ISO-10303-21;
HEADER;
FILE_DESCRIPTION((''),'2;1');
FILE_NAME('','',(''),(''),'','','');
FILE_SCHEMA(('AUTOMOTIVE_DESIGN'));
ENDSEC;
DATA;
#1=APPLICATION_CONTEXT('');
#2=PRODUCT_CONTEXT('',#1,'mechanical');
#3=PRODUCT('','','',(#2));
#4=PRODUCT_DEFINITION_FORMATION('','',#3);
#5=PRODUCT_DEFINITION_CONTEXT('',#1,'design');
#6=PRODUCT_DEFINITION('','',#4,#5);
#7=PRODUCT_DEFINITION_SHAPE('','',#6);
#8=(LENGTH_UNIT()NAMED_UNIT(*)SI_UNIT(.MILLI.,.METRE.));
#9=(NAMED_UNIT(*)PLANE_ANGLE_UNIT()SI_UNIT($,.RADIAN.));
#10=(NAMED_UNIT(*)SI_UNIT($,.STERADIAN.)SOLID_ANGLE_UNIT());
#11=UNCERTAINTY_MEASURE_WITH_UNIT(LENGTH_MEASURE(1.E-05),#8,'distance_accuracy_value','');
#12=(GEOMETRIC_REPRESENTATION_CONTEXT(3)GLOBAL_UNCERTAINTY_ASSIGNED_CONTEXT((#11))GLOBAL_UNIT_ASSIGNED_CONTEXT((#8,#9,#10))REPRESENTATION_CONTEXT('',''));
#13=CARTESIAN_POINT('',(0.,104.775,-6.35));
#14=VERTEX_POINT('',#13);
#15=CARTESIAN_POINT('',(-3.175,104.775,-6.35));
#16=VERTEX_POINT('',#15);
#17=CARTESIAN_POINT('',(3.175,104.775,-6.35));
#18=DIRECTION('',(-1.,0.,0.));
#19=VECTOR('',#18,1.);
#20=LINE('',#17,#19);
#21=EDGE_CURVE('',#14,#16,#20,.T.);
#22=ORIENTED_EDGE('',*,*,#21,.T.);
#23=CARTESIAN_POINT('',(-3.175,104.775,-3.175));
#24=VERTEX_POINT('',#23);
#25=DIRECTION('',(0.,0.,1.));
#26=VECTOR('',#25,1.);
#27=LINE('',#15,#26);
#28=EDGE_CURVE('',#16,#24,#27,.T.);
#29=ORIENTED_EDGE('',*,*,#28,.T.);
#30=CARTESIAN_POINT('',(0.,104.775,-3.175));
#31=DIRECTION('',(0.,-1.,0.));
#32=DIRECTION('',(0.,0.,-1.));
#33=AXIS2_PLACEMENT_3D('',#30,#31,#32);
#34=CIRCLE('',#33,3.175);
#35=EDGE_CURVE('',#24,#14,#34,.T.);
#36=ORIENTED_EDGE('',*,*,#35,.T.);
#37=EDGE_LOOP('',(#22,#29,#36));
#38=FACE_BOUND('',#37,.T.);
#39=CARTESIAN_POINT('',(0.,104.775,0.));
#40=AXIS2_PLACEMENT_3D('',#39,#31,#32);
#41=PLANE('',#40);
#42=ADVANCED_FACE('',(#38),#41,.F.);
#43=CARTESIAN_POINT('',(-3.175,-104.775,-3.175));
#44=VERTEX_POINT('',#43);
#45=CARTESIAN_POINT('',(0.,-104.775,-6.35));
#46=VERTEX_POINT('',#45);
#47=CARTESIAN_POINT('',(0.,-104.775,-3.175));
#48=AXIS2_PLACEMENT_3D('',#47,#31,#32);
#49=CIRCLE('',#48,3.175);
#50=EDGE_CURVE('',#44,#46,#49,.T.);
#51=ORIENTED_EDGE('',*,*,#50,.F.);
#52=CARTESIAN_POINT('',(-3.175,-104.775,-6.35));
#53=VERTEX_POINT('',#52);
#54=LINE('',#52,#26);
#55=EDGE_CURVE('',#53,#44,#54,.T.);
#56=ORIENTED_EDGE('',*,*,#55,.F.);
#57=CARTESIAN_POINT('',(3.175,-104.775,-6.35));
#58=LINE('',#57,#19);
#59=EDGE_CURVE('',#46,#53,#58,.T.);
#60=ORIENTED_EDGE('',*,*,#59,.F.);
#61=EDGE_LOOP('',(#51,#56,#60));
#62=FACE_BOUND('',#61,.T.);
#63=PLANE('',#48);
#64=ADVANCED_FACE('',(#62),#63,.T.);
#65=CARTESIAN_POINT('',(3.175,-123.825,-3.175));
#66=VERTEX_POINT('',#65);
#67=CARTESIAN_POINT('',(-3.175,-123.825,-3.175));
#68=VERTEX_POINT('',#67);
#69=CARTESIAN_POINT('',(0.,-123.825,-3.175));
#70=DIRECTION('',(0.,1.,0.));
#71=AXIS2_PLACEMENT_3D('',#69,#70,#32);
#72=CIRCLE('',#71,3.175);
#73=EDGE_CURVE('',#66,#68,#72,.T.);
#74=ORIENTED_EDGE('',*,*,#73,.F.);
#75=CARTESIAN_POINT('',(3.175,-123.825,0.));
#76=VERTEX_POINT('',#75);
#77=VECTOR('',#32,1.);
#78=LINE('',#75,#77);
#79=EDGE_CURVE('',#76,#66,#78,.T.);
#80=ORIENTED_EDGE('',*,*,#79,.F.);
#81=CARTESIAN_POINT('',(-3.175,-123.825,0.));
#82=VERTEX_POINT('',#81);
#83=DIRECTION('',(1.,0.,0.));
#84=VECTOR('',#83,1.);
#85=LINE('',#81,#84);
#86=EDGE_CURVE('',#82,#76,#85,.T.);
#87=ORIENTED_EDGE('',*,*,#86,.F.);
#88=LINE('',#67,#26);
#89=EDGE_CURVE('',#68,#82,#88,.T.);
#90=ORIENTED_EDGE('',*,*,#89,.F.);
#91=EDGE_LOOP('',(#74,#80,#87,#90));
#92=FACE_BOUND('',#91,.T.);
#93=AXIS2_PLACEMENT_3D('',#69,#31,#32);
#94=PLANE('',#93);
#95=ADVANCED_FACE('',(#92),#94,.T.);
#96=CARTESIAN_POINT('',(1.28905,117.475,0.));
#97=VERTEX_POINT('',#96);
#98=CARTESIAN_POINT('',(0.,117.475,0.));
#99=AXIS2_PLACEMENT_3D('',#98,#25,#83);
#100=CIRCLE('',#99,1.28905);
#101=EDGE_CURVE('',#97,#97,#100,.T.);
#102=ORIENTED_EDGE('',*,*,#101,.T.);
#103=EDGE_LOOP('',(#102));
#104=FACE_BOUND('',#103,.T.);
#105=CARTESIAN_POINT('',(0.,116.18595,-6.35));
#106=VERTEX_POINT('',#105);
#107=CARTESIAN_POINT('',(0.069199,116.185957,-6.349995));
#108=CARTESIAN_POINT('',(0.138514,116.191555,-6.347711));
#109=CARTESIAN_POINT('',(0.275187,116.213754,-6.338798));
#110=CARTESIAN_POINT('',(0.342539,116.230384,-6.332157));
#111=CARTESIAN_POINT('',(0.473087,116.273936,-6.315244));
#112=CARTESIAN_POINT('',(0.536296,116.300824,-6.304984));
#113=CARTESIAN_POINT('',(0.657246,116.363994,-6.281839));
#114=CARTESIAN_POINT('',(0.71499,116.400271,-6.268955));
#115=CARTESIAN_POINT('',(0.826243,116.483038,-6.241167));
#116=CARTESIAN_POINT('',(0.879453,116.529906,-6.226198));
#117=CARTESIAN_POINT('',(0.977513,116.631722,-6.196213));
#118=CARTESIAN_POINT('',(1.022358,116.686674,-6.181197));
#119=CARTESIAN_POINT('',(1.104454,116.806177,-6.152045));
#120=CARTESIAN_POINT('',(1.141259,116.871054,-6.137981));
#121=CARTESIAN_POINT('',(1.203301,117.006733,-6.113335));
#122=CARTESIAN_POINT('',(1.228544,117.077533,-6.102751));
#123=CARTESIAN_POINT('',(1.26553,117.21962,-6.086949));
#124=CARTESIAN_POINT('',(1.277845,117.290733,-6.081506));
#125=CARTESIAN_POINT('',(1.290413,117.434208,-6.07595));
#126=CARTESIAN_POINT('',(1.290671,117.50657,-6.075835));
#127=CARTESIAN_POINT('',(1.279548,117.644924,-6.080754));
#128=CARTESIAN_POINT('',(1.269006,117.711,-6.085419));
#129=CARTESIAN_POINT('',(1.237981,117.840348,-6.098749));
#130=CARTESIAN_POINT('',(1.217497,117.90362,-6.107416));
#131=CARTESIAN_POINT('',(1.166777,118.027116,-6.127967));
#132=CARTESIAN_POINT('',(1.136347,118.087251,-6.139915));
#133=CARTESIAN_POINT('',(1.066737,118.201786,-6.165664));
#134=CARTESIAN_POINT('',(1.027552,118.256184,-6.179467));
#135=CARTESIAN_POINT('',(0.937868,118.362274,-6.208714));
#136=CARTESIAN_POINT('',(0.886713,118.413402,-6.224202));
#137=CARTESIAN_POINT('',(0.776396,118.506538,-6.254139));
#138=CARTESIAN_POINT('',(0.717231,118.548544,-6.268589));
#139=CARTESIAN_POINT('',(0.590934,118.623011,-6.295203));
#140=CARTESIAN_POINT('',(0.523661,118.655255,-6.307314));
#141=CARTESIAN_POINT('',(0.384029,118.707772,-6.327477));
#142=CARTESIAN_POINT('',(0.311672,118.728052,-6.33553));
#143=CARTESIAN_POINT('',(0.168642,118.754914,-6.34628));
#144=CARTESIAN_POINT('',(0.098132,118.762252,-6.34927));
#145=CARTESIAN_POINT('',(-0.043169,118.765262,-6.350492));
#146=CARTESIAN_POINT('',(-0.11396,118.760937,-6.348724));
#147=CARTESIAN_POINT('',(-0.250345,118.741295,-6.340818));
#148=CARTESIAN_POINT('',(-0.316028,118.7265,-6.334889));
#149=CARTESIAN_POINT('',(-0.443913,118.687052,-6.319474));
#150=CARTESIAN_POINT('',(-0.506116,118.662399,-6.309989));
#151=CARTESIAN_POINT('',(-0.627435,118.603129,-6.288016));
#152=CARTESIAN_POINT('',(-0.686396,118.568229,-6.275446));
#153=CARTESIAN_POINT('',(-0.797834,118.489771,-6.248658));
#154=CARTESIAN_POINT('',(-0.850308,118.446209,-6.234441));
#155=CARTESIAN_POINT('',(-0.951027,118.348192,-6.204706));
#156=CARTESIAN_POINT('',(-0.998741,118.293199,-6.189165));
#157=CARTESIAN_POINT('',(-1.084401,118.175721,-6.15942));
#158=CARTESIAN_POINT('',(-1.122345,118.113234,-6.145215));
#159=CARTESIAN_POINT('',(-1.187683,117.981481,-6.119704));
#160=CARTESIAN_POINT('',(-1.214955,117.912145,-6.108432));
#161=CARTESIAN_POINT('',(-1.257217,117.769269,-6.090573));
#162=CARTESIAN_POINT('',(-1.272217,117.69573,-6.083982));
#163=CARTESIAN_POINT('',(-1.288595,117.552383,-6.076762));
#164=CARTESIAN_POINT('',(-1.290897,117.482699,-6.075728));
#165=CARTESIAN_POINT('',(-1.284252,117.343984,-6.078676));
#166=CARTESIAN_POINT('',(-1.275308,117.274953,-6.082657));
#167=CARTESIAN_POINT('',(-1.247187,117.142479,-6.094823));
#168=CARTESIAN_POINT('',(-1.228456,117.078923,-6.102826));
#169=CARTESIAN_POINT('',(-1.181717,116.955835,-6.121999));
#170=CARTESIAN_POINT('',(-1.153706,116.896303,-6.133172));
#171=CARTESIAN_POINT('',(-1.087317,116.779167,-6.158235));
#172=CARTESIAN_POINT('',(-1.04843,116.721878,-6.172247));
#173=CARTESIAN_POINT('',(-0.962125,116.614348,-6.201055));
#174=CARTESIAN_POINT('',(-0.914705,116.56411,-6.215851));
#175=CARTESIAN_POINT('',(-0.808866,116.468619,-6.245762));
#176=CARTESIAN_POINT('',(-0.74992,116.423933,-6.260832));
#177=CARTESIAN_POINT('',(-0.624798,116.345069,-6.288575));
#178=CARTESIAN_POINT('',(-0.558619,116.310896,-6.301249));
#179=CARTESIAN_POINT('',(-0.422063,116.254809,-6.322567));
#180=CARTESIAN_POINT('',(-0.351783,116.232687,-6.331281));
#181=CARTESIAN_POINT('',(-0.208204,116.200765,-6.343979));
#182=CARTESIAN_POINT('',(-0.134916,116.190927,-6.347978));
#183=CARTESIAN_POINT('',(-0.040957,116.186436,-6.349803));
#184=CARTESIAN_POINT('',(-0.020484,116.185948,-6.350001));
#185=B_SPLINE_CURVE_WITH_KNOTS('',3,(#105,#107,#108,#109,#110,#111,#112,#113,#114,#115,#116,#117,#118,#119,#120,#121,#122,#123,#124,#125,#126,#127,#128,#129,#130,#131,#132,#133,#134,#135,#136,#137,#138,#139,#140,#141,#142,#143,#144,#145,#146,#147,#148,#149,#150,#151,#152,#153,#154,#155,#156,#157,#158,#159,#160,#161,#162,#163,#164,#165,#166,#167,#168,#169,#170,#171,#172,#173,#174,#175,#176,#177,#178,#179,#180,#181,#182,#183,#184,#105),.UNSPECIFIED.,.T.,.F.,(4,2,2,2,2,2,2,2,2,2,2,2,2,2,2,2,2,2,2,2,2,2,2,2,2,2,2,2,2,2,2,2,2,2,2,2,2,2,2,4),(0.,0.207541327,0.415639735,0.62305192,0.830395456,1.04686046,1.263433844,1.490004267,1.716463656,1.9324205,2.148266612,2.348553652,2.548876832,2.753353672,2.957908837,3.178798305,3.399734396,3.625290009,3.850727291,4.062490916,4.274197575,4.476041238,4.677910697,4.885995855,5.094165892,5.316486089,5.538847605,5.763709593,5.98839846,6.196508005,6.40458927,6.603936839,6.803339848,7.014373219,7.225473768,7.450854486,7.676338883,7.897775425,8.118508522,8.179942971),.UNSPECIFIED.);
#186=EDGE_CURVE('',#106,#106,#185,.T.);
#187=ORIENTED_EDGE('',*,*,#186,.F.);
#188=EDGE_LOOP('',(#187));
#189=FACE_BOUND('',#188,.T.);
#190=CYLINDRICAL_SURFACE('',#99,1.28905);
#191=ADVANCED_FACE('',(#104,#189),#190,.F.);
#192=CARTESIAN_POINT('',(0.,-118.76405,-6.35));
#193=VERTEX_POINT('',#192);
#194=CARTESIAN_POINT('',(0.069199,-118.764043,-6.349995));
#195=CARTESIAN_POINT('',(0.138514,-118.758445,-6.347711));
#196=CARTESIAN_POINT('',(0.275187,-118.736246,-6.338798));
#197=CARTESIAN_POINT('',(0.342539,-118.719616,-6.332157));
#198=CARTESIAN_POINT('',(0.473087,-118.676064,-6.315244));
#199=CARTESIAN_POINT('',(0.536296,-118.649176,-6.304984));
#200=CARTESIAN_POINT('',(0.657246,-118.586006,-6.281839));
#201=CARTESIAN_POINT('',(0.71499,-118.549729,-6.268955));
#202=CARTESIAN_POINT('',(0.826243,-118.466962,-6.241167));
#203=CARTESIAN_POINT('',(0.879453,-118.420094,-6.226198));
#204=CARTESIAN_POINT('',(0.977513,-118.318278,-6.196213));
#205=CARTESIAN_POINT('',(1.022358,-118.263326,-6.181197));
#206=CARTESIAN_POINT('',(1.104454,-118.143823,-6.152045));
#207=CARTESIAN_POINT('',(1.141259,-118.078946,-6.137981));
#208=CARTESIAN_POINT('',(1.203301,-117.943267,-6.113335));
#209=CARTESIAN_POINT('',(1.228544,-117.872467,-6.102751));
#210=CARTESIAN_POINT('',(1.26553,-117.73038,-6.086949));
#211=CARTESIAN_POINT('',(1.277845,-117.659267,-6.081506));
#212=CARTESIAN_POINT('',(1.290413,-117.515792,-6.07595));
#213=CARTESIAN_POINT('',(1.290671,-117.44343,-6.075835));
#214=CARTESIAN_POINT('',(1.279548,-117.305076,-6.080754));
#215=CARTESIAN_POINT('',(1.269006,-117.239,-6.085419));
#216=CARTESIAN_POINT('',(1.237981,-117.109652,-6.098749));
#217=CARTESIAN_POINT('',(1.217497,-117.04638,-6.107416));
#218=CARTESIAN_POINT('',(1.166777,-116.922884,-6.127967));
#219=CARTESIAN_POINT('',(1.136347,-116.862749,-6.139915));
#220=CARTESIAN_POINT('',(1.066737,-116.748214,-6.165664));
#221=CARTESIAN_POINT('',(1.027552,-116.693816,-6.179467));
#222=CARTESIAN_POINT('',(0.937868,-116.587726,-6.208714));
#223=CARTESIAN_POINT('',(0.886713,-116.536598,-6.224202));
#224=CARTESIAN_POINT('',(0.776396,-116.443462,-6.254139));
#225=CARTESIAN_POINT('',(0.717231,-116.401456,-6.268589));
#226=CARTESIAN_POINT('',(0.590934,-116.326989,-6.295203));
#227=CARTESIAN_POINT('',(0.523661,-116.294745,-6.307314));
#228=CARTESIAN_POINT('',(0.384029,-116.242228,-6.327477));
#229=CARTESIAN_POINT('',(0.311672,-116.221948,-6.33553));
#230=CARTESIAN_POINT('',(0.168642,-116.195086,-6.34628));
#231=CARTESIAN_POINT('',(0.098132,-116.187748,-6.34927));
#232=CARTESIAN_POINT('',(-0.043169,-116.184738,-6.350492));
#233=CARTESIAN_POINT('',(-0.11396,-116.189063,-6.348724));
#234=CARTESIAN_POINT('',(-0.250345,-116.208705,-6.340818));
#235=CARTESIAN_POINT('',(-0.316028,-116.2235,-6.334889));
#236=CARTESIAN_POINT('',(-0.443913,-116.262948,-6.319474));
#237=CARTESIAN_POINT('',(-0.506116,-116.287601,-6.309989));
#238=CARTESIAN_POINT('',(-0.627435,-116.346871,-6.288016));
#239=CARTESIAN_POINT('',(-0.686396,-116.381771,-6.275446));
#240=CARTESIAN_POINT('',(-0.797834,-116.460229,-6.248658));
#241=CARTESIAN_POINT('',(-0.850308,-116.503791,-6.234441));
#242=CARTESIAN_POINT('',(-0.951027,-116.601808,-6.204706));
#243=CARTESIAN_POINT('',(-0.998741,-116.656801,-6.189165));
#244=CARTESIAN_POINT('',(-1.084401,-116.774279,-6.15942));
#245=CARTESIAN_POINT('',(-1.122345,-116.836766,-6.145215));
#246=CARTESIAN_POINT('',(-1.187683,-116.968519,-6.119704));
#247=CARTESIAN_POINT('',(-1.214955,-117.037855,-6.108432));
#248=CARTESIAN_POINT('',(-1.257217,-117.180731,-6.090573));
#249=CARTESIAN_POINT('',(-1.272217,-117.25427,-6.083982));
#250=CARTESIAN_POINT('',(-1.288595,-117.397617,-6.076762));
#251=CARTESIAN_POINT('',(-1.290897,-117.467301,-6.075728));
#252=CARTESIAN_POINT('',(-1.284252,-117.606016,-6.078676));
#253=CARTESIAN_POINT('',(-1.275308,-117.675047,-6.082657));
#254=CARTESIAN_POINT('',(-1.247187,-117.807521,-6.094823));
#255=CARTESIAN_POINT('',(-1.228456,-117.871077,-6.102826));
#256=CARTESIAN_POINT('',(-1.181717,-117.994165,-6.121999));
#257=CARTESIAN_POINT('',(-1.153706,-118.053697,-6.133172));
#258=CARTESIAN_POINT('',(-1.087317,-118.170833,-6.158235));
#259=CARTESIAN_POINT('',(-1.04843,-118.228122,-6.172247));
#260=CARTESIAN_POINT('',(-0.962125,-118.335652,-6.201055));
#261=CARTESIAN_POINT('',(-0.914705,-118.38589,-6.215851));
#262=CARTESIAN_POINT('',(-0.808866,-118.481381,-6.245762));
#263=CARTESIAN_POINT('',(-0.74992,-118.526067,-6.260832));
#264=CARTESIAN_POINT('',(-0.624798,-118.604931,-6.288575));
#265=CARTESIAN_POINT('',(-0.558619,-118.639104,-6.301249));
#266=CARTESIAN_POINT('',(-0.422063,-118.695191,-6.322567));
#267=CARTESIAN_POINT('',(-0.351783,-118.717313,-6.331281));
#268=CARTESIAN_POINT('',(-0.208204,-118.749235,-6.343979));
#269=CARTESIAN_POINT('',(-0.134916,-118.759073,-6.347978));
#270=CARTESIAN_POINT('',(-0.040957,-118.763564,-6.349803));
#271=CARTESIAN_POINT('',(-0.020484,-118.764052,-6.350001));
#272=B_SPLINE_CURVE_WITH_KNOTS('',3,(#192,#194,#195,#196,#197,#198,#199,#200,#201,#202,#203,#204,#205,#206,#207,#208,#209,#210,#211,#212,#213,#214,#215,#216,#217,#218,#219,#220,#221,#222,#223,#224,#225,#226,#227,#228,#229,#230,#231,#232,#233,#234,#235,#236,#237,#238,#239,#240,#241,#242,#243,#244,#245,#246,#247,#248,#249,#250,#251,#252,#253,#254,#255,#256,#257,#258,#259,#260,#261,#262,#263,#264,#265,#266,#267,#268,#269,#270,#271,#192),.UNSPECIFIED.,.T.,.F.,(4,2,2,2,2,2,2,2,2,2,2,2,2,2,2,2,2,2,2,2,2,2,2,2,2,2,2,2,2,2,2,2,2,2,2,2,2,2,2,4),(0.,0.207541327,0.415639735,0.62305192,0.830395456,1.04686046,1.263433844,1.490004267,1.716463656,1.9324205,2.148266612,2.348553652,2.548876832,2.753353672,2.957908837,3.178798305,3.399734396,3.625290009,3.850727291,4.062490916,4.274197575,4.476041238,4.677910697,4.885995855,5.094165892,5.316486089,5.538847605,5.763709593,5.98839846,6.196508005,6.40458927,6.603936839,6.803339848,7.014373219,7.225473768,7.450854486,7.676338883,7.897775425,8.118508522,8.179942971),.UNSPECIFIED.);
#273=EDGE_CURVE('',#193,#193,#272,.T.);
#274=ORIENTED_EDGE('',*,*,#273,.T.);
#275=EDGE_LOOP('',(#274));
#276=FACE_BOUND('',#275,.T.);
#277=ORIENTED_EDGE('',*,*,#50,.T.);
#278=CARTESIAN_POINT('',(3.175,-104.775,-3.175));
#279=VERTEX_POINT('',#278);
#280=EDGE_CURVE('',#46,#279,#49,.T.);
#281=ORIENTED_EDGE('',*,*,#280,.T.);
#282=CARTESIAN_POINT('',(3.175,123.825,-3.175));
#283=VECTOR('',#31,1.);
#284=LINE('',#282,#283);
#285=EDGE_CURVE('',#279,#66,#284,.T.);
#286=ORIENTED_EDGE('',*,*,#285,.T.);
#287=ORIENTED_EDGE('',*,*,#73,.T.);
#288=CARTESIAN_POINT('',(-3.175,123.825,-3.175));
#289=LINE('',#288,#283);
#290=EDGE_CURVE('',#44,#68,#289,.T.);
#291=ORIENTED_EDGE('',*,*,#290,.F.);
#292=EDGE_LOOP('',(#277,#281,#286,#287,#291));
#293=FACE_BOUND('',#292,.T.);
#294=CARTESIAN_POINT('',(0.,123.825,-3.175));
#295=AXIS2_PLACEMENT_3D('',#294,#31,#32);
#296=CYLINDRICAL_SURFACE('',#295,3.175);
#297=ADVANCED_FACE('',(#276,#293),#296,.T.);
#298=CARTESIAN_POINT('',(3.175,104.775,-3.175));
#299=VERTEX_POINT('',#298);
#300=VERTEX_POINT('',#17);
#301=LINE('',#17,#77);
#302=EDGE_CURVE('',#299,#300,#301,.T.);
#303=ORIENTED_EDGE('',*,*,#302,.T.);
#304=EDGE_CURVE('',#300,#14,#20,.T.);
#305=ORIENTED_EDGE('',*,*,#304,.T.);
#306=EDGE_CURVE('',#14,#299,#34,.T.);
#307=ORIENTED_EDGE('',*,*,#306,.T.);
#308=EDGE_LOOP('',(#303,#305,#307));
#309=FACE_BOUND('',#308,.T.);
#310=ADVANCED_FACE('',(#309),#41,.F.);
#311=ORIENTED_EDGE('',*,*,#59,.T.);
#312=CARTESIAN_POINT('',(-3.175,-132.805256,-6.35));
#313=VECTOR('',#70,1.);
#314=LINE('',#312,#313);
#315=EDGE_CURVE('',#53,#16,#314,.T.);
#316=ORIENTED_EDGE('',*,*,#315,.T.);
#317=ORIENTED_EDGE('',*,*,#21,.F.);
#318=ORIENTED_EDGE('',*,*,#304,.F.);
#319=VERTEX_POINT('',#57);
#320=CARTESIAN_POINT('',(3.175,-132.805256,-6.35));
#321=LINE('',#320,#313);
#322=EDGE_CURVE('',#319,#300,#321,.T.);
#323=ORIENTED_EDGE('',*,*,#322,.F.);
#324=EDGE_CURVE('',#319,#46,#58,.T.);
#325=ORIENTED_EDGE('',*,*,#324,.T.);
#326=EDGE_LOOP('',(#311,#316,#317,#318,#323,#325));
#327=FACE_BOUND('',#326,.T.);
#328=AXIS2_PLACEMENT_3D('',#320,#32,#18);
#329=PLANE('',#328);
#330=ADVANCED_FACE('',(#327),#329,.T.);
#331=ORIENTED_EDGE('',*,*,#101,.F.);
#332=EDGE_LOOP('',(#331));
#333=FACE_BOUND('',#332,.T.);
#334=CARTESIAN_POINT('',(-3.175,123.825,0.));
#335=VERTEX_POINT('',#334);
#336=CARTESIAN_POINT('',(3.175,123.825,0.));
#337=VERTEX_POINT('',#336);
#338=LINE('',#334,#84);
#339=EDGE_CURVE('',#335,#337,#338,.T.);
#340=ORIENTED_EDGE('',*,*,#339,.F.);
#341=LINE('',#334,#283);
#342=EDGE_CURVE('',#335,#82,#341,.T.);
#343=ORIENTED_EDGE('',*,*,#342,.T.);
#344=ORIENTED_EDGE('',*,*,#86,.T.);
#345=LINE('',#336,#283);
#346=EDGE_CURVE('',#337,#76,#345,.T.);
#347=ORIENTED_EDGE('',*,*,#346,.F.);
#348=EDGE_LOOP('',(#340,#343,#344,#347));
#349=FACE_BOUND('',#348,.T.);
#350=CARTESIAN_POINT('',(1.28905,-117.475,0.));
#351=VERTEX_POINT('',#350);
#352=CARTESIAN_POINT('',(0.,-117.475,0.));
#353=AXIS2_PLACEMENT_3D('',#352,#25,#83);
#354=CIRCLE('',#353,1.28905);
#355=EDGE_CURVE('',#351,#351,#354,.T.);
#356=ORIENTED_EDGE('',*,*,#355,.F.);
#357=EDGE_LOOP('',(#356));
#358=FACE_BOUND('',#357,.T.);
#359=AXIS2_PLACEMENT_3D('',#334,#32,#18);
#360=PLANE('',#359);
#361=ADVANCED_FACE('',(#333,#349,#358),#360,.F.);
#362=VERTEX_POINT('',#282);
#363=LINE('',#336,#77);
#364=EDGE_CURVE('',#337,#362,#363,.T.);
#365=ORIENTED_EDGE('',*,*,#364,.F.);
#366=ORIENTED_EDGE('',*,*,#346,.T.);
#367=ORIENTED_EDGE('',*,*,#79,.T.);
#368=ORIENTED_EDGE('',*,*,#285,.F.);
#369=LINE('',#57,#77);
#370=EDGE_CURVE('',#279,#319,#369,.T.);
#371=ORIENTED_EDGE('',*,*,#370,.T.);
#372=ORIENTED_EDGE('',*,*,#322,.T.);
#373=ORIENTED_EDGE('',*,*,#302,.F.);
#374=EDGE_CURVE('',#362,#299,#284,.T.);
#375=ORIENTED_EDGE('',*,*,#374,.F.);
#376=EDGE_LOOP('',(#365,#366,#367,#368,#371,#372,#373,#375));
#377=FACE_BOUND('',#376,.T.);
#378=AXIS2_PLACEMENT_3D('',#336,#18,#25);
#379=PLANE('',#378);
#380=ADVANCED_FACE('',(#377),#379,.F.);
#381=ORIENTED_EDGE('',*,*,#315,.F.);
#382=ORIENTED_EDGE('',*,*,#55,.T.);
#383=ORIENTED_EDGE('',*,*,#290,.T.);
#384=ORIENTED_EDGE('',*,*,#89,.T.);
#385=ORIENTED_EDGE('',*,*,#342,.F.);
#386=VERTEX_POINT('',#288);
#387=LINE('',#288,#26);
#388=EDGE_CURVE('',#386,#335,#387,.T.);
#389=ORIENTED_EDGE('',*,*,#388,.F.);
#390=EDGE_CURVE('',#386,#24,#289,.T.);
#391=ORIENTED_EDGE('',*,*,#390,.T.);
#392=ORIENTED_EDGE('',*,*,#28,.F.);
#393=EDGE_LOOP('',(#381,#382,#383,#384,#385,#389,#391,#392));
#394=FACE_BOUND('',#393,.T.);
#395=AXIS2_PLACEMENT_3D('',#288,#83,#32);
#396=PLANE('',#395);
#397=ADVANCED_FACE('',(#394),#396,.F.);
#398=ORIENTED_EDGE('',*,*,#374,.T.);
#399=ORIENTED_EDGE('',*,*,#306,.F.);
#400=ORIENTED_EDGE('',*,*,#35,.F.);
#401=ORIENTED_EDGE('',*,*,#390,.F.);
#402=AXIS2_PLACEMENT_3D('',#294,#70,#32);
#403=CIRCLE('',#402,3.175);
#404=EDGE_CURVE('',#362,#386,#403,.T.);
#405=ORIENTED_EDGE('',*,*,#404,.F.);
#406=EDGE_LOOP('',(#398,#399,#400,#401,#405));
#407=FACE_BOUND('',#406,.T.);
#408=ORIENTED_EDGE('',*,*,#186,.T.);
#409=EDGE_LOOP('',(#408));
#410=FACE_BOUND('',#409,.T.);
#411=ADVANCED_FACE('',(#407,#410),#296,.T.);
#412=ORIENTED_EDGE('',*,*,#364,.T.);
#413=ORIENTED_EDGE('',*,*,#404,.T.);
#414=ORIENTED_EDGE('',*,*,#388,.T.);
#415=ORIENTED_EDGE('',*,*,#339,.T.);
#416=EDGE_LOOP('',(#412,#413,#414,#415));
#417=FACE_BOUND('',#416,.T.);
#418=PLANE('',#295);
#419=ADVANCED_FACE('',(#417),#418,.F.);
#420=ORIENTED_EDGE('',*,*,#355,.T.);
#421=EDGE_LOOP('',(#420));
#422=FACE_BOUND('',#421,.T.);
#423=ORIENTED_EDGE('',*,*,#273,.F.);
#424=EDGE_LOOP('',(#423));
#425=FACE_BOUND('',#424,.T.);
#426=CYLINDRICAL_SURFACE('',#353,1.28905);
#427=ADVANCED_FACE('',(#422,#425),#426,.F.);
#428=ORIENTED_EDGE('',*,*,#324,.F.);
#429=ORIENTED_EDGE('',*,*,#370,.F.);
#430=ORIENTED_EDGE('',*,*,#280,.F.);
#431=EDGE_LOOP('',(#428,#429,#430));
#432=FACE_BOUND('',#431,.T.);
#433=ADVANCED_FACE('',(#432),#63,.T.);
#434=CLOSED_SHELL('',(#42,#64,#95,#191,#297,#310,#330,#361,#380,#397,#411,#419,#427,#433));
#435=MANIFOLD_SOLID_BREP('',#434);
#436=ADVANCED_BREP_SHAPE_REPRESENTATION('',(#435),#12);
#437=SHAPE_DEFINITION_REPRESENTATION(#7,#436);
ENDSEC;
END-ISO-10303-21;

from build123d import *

# Parameters (mm, degrees)
BOSS_EXTRUDE1_DEPTH   = 123.825
F_5_40_TAPPED_HOLE1_D = 2.5781
BOSS_EXTRUDE2_START   = -19.05
SKETCH4_W             = 6.35
SKETCH4_H             = 6.35
BOSS_EXTRUDE2_DEPTH   = 209.55


with BuildPart() as part:
    # Sketch1 → Boss-Extrude1 (new, symmetric)
    with BuildSketch(Plane(origin=(0, 0, 0), x_dir=(1, 0, 0), z_dir=(0, 1, 0))):
        with BuildLine():
            Line((-3.175, 3.175), (-3.175, 0))
            Line((-3.175, 0), (3.175, 0))
            Line((3.175, 0), (3.175, 3.175))
            ThreePointArc((3.175, 3.175), (0, 6.35), (-3.175, 3.175))
        make_face()
    extrude(amount=BOSS_EXTRUDE1_DEPTH, both=True)

    # #5-40 Tapped Hole1 (through all)
    with Locations(Plane.XY):
        with Locations((0, -117.475)):
            f_5_40_tapped_hole1 = Hole(F_5_40_TAPPED_HOLE1_D / 2)

    # Mirror1: #5-40 Tapped Hole1 across plane
    add(f_5_40_tapped_hole1.mirror(Plane.ZX), mode=Mode.SUBTRACT)

    # Sketch4 → Boss-Extrude2 (add)
    with BuildSketch(Plane(origin=(0, 123.825, 0), x_dir=(1, 0, 0), z_dir=(0, 1, 0)).offset(BOSS_EXTRUDE2_START)):
        with Locations((0, 3.175)):
            Rectangle(SKETCH4_W, SKETCH4_H)
    extrude(amount=-BOSS_EXTRUDE2_DEPTH)


solid = part.part
